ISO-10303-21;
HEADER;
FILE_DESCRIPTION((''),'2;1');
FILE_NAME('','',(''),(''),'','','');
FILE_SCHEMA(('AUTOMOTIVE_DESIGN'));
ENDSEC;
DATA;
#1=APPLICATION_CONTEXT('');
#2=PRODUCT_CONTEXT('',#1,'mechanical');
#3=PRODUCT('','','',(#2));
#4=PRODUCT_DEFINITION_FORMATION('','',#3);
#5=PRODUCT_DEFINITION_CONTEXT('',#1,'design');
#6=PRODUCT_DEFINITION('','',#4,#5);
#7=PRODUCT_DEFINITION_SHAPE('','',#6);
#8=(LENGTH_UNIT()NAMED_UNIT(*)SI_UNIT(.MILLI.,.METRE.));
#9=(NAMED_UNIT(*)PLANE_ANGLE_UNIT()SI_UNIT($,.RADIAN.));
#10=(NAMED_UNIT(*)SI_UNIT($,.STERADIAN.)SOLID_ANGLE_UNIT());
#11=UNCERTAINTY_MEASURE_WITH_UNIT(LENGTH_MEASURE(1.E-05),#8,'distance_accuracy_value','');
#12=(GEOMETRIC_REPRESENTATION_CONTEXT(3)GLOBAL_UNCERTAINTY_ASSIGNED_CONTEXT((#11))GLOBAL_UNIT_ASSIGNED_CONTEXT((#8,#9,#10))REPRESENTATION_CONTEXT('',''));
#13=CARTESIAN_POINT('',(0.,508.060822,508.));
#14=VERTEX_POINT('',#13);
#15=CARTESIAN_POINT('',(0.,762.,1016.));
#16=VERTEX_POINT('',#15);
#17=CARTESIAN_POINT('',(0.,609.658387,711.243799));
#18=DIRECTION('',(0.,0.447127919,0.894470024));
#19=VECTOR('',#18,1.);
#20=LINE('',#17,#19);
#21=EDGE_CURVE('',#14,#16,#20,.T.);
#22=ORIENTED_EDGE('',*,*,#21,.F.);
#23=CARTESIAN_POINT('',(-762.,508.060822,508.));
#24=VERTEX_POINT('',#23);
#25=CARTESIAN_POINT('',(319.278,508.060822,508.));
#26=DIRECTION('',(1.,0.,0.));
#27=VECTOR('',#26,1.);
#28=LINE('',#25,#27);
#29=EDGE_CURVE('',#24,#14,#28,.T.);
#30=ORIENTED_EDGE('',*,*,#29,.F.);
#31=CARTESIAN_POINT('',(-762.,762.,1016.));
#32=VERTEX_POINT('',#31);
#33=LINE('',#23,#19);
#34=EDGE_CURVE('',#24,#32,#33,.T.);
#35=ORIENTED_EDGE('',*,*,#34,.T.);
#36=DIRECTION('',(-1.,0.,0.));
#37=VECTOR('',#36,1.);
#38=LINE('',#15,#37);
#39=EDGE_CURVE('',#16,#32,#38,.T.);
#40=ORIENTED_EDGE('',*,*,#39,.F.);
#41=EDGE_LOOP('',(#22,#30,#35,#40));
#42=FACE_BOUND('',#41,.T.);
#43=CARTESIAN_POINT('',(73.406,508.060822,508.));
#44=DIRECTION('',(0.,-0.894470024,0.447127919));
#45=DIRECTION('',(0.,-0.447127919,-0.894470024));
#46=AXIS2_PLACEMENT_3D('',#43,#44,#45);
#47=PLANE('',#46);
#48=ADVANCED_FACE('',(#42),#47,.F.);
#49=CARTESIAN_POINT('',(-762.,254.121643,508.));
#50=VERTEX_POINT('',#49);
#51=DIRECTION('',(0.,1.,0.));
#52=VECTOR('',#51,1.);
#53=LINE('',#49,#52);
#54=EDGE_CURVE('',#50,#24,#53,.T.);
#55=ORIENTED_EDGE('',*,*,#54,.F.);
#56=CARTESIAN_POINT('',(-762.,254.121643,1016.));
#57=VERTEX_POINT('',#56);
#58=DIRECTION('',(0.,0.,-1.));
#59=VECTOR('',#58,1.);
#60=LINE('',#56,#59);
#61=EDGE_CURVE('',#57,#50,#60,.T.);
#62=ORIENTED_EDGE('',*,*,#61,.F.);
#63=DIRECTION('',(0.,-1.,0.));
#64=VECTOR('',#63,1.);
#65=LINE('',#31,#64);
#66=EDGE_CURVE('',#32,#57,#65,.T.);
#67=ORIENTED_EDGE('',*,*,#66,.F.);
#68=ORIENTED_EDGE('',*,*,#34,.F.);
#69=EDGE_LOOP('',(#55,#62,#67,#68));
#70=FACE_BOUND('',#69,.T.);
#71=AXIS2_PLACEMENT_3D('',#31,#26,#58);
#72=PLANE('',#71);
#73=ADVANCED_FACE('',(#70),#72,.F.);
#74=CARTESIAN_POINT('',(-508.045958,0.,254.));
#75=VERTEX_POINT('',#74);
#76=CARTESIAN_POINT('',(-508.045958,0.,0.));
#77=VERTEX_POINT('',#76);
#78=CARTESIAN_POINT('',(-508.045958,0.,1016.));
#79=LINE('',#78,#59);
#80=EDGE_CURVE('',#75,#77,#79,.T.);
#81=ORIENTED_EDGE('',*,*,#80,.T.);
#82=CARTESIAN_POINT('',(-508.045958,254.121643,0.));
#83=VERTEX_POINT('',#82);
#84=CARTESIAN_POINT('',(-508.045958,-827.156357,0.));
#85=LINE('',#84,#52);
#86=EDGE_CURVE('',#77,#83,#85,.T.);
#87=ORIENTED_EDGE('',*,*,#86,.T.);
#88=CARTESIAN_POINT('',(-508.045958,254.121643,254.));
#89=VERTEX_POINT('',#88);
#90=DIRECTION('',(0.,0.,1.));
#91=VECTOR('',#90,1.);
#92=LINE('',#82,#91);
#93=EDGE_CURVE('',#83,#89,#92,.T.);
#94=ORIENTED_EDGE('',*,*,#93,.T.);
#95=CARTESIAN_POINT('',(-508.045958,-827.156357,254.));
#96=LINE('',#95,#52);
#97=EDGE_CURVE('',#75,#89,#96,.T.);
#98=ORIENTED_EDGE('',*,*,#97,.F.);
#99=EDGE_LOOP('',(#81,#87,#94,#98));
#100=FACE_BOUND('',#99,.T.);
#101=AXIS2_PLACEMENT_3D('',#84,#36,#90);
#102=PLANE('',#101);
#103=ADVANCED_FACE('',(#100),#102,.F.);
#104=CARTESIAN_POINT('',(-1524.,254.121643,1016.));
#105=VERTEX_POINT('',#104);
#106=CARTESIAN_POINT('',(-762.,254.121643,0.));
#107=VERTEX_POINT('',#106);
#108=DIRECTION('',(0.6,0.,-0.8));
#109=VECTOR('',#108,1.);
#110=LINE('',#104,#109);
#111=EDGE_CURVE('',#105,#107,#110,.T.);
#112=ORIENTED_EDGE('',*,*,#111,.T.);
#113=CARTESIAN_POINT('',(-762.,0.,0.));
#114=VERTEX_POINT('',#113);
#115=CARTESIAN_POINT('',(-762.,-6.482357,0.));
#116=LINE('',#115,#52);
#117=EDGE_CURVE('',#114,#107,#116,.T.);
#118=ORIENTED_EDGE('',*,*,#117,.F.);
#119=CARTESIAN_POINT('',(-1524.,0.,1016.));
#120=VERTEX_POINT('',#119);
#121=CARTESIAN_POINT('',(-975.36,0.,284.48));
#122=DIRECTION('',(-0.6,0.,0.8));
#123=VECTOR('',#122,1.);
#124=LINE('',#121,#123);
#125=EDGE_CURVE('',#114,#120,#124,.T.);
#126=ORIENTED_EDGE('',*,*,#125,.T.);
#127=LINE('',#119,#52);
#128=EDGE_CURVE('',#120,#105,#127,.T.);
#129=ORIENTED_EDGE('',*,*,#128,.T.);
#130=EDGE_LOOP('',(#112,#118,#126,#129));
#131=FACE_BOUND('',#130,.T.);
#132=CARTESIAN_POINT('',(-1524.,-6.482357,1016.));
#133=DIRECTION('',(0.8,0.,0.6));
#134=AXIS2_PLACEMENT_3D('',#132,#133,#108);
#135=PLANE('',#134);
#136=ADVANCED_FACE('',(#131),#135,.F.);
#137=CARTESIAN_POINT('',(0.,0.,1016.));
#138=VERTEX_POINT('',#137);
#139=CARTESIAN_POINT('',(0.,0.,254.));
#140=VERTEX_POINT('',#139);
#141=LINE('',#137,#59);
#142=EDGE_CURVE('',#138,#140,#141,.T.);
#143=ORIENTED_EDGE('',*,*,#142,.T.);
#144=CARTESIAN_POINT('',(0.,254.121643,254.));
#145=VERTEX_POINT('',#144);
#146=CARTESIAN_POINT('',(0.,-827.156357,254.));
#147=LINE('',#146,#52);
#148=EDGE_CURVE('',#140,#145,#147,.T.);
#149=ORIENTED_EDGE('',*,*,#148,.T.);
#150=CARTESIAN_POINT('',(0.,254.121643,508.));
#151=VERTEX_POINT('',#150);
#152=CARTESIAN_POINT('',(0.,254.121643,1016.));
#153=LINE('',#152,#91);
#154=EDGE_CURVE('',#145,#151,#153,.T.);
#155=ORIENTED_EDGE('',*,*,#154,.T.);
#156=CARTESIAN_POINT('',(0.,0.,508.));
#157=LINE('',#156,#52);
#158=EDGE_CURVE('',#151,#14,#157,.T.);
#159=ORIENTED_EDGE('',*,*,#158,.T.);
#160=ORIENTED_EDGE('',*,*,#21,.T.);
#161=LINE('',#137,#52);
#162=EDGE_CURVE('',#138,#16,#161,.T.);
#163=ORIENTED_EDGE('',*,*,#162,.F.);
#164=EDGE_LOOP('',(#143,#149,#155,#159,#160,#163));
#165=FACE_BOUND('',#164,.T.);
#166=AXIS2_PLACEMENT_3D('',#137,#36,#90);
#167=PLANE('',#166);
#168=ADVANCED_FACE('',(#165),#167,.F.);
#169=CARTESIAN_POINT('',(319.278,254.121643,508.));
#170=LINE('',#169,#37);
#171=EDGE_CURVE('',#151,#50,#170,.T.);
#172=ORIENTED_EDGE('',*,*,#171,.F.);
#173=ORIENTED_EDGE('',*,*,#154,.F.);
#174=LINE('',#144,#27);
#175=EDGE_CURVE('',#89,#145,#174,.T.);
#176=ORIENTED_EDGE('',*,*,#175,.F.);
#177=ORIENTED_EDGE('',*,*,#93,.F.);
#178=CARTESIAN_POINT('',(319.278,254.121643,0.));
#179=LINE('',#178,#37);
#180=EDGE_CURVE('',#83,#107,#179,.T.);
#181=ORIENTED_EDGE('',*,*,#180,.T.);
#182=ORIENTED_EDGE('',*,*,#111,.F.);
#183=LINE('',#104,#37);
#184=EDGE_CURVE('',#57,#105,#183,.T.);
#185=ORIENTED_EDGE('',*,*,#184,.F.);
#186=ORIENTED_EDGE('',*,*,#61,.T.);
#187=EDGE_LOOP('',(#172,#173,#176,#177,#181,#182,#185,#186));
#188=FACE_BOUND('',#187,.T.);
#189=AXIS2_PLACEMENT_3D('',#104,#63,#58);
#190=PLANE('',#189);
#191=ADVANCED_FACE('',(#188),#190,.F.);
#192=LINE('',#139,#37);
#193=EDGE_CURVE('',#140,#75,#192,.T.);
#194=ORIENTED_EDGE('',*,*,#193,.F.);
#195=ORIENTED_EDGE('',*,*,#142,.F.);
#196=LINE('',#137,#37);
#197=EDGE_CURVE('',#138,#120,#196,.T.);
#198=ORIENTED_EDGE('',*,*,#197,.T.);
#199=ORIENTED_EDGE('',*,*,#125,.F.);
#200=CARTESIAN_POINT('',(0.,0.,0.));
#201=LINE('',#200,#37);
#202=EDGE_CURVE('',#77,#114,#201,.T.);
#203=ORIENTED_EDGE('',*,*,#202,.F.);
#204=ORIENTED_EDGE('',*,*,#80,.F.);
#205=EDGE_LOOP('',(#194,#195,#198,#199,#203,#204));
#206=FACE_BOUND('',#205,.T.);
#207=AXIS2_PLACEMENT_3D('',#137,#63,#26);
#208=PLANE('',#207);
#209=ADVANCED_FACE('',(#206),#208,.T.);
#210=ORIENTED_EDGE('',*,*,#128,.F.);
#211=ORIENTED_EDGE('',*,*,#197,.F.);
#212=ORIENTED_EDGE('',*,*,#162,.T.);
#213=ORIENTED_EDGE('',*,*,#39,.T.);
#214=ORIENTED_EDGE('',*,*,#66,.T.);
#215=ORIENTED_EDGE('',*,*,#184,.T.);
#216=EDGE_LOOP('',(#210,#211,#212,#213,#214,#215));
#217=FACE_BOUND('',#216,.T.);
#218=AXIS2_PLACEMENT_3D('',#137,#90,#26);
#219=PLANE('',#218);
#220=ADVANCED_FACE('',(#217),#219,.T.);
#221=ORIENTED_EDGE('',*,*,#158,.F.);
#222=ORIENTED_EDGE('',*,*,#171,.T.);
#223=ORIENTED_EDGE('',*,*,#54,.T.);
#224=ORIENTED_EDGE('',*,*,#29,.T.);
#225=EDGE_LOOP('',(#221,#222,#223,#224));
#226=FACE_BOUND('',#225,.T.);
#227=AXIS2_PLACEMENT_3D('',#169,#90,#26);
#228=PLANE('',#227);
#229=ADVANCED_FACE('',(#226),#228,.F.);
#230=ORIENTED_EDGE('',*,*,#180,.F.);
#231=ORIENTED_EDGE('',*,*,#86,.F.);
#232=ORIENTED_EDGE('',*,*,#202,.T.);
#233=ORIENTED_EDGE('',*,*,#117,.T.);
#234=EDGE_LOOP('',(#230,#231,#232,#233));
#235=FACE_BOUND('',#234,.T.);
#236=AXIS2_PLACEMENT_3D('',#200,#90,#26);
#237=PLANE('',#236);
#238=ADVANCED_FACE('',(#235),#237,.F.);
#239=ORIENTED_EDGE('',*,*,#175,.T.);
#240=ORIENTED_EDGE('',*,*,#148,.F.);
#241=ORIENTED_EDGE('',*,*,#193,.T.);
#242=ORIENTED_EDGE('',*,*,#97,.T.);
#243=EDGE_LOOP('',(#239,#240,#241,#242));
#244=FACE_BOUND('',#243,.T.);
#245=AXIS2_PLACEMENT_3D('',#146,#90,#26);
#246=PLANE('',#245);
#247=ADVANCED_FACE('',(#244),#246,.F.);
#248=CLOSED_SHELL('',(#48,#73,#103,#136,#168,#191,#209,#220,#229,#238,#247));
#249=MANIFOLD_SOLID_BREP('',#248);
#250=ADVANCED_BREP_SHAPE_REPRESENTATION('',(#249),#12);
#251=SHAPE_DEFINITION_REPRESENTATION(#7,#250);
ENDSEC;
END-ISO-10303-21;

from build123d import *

# Parameters (mm, degrees)
SKETCH1_W           = 1524
SKETCH1_H           = 762
BOSS_EXTRUDE1_DEPTH = 1016
SKETCH3_W           = 762
SKETCH3_H           = 507.878356785
CUT_EXTRUDE1_DEPTH  = 1016
CUT_EXTRUDE2_DEPTH  = 260.604
SKETCH6_W           = 254
SKETCH6_H           = 507.878356785
CUT_EXTRUDE3_DEPTH  = 1081.278
SKETCH7_W           = 254
SKETCH7_H           = 508
CUT_EXTRUDE4_DEPTH  = 1081.278
SKETCH8_W           = 508.045957887
SKETCH8_H           = 254
CUT_EXTRUDE5_DEPTH  = 1081.278
CUT_EXTRUDE6_DEPTH  = 835.406


with BuildPart() as part:
    # Sketch1 → Boss-Extrude1 (new body)
    with BuildSketch(Plane.XY):
        with Locations((-762, 381)):
            Rectangle(SKETCH1_W, SKETCH1_H)
    extrude(amount=BOSS_EXTRUDE1_DEPTH)

    # Sketch3 → Cut-Extrude1 (cut)
    with BuildSketch(Plane(origin=(0, 0, 0), x_dir=(-1, 0, 0), z_dir=(0, 0, -1))):
        with Locations((1143, 508.060821607)):
            Rectangle(SKETCH3_W, SKETCH3_H)
    extrude(amount=-CUT_EXTRUDE1_DEPTH, mode=Mode.SUBTRACT)

    # Sketch5 → Cut-Extrude2 (cut)
    with BuildSketch(Plane(origin=(0, 254.121643215, 0), x_dir=(1, 0, 0), z_dir=(0, 1, 0))):
        Polygon((-1524, -1016), (-762, 0), (-1524, 0), align=None)
    extrude(amount=-CUT_EXTRUDE2_DEPTH, mode=Mode.SUBTRACT)

    # Sketch6 → Cut-Extrude3 (cut)
    with BuildSketch(Plane.ZY.offset(762)):
        with Locations((127, 508.060821607)):
            Rectangle(SKETCH6_W, SKETCH6_H)
    extrude(amount=-CUT_EXTRUDE3_DEPTH, mode=Mode.SUBTRACT)

    # Sketch7 → Cut-Extrude4 (cut)
    with BuildSketch(Plane.ZY.offset(762)):
        with Locations((381, 508.121643215)):
            Rectangle(SKETCH7_W, SKETCH7_H)
    extrude(amount=-CUT_EXTRUDE4_DEPTH, mode=Mode.SUBTRACT)

    # Sketch8 → Cut-Extrude5 (cut)
    with BuildSketch(Plane(origin=(0, 254.121643215, 0), x_dir=(1, 0, 0), z_dir=(0, 1, 0))):
        with Locations((-254.022978944, -127)):
            Rectangle(SKETCH8_W, SKETCH8_H)
    extrude(amount=-CUT_EXTRUDE5_DEPTH, mode=Mode.SUBTRACT)

    # Sketch10 → Cut-Extrude6 (cut)
    with BuildSketch(Plane.ZY.offset(762)):
        Polygon((1016, 762), (508, 762), (508, 508.060821608), align=None)
    extrude(amount=-CUT_EXTRUDE6_DEPTH, mode=Mode.SUBTRACT)


solid = part.part
